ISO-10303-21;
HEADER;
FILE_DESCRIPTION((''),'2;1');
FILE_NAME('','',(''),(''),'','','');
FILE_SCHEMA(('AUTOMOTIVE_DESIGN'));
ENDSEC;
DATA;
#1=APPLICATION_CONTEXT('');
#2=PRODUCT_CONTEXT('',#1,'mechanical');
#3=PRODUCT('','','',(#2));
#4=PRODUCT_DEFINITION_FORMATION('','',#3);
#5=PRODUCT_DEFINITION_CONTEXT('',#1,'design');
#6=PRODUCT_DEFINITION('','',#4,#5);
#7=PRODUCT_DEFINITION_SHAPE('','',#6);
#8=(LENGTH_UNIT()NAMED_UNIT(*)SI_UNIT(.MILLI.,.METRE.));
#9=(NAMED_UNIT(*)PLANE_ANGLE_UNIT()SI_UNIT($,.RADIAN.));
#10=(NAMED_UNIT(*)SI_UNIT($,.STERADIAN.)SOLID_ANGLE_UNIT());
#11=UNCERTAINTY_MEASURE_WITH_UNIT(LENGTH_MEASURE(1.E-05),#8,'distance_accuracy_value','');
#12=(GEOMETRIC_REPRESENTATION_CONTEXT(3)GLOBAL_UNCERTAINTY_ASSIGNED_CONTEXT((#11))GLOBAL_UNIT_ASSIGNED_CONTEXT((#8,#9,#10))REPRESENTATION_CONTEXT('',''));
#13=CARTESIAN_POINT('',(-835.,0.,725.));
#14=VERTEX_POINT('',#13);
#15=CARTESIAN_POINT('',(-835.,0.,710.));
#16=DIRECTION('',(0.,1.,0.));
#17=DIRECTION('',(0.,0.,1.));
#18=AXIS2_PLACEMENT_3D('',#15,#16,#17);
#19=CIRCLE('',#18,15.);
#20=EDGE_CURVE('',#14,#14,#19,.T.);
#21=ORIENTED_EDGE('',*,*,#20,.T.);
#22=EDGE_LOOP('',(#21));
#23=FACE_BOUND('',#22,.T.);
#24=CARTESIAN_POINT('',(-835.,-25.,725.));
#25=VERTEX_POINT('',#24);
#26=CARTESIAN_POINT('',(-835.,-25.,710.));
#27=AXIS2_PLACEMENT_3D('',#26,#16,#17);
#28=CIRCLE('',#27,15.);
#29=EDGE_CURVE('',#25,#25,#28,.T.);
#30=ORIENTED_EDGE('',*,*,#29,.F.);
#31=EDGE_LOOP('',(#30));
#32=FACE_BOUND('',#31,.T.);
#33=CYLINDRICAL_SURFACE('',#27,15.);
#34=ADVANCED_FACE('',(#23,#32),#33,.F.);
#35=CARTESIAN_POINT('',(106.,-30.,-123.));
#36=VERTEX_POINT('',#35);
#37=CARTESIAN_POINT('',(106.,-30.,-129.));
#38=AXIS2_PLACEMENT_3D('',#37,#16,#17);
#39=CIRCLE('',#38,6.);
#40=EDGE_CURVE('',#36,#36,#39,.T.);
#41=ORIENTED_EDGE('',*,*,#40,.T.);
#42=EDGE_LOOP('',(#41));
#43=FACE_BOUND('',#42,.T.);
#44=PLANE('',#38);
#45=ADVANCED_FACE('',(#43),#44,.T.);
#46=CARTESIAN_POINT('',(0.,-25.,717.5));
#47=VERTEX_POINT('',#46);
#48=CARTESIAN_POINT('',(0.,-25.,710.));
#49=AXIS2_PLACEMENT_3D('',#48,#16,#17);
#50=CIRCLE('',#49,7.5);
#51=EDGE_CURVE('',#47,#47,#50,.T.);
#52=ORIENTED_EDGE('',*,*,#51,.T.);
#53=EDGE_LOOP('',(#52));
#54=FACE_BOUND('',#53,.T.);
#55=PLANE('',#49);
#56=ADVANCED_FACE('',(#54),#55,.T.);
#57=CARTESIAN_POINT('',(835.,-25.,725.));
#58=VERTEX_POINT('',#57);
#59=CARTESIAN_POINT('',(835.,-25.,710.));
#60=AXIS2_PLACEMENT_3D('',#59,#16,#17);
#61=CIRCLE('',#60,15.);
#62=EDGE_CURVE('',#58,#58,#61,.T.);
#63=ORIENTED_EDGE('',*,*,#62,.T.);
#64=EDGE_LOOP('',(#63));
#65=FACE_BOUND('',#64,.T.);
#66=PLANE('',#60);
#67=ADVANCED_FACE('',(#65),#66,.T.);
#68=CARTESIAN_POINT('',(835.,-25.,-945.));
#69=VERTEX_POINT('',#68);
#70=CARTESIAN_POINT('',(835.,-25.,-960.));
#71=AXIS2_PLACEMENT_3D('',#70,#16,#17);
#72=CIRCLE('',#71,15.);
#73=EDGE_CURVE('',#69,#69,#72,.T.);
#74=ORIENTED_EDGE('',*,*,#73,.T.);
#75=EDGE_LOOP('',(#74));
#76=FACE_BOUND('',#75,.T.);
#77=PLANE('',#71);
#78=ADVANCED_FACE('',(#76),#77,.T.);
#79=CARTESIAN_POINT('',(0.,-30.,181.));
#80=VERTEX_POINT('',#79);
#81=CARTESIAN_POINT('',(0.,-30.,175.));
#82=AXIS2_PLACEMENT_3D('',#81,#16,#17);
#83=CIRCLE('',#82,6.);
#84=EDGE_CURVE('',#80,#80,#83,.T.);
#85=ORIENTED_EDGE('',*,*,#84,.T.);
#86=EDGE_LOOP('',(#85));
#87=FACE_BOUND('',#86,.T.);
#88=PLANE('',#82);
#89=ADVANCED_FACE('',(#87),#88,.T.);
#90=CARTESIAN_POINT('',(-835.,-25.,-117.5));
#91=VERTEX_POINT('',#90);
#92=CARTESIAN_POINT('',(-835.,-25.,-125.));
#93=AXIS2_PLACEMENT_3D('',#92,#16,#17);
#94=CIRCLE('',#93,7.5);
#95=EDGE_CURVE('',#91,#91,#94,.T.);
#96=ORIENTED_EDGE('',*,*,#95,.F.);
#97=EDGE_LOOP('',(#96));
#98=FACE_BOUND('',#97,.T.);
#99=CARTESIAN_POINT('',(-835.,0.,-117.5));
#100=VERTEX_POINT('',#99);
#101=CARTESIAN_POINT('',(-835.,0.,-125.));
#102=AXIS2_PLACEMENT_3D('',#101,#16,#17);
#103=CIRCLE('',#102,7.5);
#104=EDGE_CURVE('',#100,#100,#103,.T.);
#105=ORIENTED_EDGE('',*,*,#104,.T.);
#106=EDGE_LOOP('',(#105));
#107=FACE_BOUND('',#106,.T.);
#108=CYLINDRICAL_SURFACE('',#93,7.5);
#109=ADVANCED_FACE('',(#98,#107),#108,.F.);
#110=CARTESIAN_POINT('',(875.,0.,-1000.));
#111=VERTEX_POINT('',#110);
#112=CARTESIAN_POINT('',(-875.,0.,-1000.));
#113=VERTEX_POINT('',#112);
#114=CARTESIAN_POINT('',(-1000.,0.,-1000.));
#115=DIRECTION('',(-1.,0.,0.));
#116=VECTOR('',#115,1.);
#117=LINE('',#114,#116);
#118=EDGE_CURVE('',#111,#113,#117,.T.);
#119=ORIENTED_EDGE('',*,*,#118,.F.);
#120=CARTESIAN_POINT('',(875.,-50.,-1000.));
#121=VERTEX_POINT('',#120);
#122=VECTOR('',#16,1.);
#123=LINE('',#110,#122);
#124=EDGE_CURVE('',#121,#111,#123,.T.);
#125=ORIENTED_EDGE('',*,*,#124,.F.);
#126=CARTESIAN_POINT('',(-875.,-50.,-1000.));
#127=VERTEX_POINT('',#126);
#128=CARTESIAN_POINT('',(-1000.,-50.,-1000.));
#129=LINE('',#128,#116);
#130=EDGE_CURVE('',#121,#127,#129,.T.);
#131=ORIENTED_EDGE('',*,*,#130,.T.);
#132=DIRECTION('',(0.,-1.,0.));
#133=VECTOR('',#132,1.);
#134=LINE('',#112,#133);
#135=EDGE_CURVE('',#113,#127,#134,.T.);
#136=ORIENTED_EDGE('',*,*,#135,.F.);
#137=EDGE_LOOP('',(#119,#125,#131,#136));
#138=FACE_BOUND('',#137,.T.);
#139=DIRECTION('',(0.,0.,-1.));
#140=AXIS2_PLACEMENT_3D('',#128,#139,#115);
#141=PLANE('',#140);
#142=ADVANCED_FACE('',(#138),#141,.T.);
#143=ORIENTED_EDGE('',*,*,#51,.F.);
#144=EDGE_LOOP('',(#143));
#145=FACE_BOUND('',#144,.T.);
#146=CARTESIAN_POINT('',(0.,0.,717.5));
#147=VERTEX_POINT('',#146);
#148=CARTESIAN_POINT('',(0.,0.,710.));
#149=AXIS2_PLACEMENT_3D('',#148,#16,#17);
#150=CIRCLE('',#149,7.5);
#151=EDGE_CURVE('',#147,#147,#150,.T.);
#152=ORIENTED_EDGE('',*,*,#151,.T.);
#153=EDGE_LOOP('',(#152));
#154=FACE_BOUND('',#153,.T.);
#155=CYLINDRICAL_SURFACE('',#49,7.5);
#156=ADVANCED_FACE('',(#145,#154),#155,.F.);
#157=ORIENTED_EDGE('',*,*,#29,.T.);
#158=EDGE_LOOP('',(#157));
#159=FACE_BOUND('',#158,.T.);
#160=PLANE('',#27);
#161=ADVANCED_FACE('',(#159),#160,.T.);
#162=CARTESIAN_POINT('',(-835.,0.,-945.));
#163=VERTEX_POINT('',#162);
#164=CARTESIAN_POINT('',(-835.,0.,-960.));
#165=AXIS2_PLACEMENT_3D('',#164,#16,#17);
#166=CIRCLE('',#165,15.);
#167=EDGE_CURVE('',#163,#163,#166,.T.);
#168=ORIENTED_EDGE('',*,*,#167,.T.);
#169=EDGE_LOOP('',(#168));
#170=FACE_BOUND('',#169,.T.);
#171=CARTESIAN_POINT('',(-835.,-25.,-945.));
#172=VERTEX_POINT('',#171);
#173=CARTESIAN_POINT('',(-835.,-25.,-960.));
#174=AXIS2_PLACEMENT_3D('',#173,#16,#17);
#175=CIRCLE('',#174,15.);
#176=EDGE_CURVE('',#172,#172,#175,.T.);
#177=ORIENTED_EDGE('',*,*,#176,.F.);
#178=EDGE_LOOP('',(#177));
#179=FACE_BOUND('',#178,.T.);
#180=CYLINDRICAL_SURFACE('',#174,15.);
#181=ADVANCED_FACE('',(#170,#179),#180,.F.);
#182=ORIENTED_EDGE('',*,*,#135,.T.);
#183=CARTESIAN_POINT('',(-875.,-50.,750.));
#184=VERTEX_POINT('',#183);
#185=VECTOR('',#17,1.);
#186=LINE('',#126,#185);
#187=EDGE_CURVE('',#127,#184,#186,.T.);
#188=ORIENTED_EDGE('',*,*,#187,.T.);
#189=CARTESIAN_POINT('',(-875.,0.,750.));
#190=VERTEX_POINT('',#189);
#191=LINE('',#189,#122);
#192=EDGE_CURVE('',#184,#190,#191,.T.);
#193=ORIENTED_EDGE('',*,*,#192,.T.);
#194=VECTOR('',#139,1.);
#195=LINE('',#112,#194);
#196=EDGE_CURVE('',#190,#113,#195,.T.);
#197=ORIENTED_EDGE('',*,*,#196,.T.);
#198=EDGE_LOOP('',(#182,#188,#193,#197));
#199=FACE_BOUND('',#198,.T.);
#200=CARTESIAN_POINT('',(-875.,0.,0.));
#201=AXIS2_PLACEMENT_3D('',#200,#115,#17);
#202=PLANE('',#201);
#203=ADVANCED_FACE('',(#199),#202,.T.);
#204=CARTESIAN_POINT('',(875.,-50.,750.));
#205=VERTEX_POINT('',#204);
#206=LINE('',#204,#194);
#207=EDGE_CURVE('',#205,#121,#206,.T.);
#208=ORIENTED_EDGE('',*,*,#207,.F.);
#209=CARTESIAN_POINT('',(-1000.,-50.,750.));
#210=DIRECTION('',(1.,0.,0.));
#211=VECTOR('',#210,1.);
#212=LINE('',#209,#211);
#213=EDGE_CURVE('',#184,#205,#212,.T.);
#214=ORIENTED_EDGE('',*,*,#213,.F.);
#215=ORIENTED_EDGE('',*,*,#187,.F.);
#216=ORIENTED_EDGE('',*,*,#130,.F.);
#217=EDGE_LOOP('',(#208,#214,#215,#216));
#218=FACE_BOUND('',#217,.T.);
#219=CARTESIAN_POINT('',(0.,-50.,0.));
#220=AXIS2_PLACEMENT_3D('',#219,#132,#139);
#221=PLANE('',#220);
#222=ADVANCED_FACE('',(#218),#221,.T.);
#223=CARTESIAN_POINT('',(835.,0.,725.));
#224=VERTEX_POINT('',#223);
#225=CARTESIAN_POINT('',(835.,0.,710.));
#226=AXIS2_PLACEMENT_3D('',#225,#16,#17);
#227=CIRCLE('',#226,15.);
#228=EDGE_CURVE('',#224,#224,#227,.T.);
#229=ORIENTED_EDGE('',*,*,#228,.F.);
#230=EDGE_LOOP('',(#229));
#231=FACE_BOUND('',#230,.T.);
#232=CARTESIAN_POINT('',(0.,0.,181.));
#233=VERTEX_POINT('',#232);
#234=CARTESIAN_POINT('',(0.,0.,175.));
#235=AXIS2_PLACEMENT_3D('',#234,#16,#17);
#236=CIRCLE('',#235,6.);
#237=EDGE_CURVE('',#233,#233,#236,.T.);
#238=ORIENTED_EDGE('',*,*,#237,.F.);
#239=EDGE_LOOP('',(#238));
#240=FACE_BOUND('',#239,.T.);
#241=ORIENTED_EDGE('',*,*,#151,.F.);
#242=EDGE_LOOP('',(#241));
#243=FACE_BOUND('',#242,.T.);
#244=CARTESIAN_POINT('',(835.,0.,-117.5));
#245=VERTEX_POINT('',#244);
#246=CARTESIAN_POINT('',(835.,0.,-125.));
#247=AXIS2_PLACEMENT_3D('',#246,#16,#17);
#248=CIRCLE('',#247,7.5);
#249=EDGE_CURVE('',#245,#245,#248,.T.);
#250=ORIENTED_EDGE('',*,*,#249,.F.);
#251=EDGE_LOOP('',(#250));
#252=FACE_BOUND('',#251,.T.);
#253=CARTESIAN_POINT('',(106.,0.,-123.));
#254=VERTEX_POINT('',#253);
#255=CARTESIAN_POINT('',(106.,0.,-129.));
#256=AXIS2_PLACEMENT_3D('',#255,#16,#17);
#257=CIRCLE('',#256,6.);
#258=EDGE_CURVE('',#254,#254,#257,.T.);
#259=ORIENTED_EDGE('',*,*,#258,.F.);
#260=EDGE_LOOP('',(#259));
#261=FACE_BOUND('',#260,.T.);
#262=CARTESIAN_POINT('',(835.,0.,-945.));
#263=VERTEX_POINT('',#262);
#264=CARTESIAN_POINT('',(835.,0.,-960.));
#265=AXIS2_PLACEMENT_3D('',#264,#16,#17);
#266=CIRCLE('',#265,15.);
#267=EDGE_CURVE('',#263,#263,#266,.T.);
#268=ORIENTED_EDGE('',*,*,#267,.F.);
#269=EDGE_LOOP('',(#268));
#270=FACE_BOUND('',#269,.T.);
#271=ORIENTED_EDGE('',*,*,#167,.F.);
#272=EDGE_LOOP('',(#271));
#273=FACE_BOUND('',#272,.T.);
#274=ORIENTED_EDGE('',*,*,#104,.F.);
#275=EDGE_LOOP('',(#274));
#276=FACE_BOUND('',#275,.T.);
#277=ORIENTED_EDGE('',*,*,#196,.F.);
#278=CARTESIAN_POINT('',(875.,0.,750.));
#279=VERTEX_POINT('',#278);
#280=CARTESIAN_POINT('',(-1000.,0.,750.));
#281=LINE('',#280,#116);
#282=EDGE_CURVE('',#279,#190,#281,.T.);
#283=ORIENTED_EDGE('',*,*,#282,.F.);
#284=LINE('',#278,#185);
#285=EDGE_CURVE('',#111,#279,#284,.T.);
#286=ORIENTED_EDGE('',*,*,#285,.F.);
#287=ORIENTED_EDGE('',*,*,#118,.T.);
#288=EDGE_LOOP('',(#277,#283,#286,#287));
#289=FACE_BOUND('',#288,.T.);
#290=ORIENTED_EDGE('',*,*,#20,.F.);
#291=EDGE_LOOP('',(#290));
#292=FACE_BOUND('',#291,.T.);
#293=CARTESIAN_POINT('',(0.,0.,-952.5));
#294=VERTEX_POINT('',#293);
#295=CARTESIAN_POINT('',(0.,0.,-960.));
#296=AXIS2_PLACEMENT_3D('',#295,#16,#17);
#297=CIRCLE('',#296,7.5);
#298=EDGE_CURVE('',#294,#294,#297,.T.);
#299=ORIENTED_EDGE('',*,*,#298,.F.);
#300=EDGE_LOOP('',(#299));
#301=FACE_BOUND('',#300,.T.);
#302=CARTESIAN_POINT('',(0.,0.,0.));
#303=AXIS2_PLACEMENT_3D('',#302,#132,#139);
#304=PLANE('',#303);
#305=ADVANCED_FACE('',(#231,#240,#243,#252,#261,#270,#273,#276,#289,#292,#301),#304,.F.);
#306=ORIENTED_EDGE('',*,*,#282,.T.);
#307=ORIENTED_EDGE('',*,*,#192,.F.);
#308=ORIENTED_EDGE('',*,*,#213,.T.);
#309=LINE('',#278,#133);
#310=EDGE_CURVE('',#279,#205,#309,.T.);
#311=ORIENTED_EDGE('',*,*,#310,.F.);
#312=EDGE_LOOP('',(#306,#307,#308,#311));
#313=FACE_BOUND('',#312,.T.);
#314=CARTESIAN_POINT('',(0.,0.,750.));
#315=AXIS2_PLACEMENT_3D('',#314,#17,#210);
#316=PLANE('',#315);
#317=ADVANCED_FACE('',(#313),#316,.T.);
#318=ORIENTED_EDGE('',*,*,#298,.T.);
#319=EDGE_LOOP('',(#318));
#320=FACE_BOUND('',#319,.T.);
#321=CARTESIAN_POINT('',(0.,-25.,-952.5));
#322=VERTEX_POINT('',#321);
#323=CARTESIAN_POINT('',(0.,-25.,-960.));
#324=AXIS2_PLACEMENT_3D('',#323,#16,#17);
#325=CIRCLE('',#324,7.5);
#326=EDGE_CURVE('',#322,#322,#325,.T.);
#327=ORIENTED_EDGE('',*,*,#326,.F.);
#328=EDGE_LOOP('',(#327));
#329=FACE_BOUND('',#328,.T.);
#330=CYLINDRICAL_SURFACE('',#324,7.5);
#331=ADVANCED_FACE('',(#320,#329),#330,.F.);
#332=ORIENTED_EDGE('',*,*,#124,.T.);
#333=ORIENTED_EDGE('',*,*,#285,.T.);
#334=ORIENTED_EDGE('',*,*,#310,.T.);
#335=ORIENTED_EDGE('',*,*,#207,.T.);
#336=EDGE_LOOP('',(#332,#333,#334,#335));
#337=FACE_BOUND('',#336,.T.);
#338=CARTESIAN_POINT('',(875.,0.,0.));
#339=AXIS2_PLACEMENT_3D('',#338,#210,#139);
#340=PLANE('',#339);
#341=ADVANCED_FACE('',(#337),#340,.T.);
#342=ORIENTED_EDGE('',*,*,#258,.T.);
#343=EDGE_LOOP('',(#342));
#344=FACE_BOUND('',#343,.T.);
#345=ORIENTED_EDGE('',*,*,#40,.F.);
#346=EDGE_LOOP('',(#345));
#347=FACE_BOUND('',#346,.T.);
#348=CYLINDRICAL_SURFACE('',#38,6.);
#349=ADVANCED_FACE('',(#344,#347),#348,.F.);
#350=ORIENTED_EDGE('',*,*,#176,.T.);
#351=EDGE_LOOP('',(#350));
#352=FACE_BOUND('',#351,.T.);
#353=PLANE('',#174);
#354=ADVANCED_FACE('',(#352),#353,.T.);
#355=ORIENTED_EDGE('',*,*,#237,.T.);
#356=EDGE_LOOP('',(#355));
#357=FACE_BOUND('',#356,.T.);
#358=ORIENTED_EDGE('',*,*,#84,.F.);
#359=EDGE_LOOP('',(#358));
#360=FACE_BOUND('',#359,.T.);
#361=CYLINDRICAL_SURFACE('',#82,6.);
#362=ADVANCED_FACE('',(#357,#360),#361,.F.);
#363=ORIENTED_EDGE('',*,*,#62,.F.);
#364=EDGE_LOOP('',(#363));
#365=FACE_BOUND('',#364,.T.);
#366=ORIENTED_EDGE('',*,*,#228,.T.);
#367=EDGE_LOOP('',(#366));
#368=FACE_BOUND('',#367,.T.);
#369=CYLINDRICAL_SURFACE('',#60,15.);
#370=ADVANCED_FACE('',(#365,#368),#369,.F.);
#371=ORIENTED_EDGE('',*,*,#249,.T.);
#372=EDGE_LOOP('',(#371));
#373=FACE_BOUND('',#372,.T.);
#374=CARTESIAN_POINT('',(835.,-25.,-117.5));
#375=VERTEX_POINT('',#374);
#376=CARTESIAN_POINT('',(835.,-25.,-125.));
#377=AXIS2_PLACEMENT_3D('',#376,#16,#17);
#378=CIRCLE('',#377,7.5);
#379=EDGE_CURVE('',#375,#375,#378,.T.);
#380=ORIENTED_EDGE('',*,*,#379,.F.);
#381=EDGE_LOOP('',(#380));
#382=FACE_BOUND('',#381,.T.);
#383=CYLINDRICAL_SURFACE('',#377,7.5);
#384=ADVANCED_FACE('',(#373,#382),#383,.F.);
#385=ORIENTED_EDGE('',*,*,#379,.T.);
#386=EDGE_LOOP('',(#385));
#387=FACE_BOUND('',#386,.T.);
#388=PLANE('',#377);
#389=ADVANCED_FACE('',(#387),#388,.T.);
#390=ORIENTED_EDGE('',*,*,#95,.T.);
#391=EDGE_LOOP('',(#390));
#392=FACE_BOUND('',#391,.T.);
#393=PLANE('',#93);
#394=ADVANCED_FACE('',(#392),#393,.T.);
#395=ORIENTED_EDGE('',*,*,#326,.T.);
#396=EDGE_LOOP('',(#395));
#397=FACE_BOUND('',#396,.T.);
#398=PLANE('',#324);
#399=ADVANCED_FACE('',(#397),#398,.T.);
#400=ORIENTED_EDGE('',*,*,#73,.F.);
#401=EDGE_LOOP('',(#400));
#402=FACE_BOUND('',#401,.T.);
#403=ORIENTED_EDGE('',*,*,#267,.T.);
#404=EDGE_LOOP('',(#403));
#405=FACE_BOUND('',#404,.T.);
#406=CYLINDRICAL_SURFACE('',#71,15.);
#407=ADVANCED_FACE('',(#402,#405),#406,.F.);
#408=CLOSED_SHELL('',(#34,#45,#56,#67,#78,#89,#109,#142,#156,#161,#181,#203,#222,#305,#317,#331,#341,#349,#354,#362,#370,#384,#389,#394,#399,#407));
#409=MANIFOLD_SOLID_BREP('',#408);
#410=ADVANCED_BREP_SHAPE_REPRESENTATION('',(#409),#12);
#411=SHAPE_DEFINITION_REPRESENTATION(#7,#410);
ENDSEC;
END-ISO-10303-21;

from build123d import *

# Parameters (mm, degrees)
SKETCH1_W           = 2000
SKETCH1_H           = 2000
BOSS_EXTRUDE1_DEPTH = 50
SKETCH2_R           = 6
CUT_EXTRUDE1_DEPTH  = 30
SKETCH3_W           = 2000
SKETCH3_H           = 50
CUT_EXTRUDE2_DEPTH  = 250
SKETCH4_W           = 1750
SKETCH4_H           = 50
CUT_EXTRUDE3_DEPTH  = 125
SKETCH5_W           = 1750
SKETCH5_H           = 50
CUT_EXTRUDE4_DEPTH  = 125
SKETCH6_R           = 15
SKETCH6_R_2         = 7.5
CUT_EXTRUDE5_DEPTH  = 25


with BuildPart() as part:
    # Sketch1 → Boss-Extrude1 (new body)
    with BuildSketch(Plane(origin=(0, 0, 0), x_dir=(1, 0, 0), z_dir=(0, 1, 0))):
        Rectangle(SKETCH1_W, SKETCH1_H)
    extrude(amount=-BOSS_EXTRUDE1_DEPTH)

    # Sketch2 → Cut-Extrude1 (cut)
    with BuildSketch(Plane(origin=(0, 0, 0), x_dir=(1, 0, 0), z_dir=(0, 1, 0))):
        with Locations((0, -175)):
            Circle(SKETCH2_R)
        with Locations((106, 129)):
            Circle(SKETCH2_R)
    extrude(amount=-CUT_EXTRUDE1_DEPTH, mode=Mode.SUBTRACT)

    # Sketch3 → Cut-Extrude2 (cut)
    with BuildSketch(Plane.XY.offset(1000)):
        with Locations((0, -25)):
            Rectangle(SKETCH3_W, SKETCH3_H)
    extrude(amount=-CUT_EXTRUDE2_DEPTH, mode=Mode.SUBTRACT)

    # Sketch4 → Cut-Extrude3 (cut)
    with BuildSketch(Plane.ZY.offset(1000)):
        with Locations((-125, -25)):
            Rectangle(SKETCH4_W, SKETCH4_H)
    extrude(amount=-CUT_EXTRUDE3_DEPTH, mode=Mode.SUBTRACT)

    # Sketch5 → Cut-Extrude4 (cut)
    with BuildSketch(Plane(origin=(1000, 0, 0), x_dir=(0, 0, -1), z_dir=(1, 0, 0))):
        with Locations((125, -25)):
            Rectangle(SKETCH5_W, SKETCH5_H)
    extrude(amount=-CUT_EXTRUDE4_DEPTH, mode=Mode.SUBTRACT)

    # Sketch6 → Cut-Extrude5 (cut)
    with BuildSketch(Plane(origin=(0, 0, 0), x_dir=(1, 0, 0), z_dir=(0, 1, 0))):
        with Locations((-835, -710)):
            Circle(SKETCH6_R)
        with Locations((835, 960)):
            Circle(SKETCH6_R)
        with Locations((835, -710)):
            Circle(SKETCH6_R)
        with Locations((-835, 960)):
            Circle(SKETCH6_R)
        with Locations((0, -710)):
            Circle(SKETCH6_R_2)
        with Locations((0, 960)):
            Circle(SKETCH6_R_2)
        with Locations((-835, 125)):
            Circle(SKETCH6_R_2)
        with Locations((835, 125)):
            Circle(SKETCH6_R_2)
    extrude(amount=-CUT_EXTRUDE5_DEPTH, mode=Mode.SUBTRACT)


solid = part.part
